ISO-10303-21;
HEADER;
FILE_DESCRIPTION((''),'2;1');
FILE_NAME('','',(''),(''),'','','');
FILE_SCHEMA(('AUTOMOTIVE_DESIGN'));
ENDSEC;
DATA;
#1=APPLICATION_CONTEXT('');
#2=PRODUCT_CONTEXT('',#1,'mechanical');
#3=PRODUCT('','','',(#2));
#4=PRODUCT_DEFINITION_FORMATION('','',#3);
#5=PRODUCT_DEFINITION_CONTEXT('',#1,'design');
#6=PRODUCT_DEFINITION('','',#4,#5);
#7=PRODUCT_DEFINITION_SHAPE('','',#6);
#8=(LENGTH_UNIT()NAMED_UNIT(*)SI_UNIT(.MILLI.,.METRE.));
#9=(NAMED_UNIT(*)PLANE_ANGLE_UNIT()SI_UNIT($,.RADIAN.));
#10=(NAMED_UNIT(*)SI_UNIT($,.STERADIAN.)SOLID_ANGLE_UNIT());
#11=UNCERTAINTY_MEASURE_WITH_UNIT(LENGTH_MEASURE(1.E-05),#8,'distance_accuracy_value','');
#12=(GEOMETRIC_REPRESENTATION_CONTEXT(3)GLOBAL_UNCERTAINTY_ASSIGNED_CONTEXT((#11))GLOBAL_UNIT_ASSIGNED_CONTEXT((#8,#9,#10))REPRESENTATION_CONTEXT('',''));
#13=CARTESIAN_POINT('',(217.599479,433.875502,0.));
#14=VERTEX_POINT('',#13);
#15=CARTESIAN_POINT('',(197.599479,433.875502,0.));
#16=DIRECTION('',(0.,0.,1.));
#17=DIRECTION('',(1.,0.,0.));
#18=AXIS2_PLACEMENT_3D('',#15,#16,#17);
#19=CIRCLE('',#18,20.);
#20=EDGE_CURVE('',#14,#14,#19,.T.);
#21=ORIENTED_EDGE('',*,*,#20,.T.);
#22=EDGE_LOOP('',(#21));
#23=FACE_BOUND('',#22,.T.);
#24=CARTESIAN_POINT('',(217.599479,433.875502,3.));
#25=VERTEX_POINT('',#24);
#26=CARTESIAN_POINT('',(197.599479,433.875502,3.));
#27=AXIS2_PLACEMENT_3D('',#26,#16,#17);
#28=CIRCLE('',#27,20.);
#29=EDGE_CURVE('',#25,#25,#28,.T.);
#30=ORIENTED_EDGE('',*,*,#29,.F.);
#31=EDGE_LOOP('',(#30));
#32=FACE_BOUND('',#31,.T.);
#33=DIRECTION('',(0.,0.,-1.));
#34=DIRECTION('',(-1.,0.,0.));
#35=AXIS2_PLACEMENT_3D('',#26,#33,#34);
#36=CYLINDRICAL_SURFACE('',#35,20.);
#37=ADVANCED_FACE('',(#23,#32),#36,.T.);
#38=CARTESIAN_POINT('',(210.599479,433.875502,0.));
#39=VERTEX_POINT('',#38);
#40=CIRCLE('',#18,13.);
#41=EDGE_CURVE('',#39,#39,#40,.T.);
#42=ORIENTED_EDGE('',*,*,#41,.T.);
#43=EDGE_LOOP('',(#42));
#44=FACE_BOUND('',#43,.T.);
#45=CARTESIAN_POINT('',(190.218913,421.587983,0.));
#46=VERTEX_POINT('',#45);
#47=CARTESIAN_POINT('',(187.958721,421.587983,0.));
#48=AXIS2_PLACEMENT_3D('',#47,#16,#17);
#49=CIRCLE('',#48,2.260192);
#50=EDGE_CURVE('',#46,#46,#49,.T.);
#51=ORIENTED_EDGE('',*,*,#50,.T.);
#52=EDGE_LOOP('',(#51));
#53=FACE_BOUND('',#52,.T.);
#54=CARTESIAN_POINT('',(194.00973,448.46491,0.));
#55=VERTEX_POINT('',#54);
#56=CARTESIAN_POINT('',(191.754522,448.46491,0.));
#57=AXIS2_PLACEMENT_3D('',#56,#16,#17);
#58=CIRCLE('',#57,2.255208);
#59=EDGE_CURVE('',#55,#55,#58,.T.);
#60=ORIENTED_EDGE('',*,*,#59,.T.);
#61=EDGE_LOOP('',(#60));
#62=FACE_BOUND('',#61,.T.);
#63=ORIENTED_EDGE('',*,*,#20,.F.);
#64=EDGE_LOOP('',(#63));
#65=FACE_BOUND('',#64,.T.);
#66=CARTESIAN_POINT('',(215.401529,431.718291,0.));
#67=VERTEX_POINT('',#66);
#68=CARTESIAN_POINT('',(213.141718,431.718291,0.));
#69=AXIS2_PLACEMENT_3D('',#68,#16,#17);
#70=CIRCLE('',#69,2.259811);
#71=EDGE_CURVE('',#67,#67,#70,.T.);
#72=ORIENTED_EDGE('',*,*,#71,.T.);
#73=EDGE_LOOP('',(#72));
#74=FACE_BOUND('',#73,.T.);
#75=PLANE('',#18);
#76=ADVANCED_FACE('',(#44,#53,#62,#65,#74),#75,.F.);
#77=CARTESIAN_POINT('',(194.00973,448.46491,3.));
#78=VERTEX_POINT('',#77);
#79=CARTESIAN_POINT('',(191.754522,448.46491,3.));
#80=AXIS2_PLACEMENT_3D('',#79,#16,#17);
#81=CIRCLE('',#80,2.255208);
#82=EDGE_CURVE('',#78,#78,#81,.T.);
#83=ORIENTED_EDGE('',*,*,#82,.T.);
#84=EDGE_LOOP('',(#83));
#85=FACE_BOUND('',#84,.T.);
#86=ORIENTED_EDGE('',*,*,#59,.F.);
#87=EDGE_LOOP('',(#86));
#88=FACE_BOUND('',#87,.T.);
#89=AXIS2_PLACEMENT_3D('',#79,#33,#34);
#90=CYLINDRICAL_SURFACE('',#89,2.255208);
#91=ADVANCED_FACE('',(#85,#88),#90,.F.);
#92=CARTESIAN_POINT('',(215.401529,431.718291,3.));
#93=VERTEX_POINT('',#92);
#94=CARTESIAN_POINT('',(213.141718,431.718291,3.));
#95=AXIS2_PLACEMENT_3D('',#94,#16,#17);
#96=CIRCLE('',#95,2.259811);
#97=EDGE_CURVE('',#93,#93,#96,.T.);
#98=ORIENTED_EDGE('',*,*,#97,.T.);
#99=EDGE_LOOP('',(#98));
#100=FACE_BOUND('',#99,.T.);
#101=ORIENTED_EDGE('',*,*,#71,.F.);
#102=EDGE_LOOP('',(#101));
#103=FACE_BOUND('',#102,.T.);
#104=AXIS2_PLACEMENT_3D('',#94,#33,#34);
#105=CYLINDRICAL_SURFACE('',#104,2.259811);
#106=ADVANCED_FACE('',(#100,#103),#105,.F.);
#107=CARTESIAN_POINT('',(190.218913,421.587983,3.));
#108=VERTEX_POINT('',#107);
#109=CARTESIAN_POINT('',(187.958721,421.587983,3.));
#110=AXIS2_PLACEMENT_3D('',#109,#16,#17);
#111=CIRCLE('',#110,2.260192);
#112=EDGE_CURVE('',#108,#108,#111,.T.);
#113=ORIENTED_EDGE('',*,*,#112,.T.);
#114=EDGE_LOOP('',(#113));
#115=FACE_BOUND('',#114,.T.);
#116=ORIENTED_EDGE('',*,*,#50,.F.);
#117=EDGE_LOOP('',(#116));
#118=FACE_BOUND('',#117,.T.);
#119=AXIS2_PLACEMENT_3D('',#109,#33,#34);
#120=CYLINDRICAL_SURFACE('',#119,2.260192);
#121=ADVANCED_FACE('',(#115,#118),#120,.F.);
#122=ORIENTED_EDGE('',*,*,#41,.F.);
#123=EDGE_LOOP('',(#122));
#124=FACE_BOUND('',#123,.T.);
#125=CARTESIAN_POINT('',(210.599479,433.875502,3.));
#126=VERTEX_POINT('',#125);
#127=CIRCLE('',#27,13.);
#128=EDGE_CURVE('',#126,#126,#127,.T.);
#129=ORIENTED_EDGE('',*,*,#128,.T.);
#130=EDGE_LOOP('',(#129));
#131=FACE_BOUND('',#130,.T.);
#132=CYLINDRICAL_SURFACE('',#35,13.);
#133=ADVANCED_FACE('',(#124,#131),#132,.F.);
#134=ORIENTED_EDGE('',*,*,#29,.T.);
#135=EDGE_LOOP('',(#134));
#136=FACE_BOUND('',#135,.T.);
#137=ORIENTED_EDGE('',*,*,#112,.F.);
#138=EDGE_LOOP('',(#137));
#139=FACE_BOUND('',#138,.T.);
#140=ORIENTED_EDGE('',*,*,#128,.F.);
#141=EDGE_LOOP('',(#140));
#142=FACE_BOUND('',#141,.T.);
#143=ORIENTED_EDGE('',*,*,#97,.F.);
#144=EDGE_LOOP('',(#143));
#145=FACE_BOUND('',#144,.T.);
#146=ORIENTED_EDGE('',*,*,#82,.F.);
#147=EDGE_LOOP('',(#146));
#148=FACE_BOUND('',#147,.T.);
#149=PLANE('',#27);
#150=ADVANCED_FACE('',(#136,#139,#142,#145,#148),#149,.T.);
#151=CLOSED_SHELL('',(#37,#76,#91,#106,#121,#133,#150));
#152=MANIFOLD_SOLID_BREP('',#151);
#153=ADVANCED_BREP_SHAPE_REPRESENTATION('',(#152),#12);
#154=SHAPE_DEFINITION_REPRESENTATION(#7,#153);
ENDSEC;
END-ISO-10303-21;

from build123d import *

# Parameters (mm, degrees)
SKETCH1_R           = 20
SKETCH1_R_2         = 13
SKETCH1_R_3         = 2.255208331
SKETCH1_R_4         = 2.259811145
SKETCH1_R_5         = 2.260191801
BOSS_EXTRUDE1_DEPTH = 3


with BuildPart() as part:
    # Sketch1 → Boss-Extrude1 (new body)
    with BuildSketch(Plane.XY):
        with Locations((197.599478725, 433.875501537)):
            Circle(SKETCH1_R)
        with Locations((197.599478725, 433.875501537)):
            Circle(SKETCH1_R_2, mode=Mode.SUBTRACT)
        with Locations((191.754521776, 448.464909961)):
            Circle(SKETCH1_R_3, mode=Mode.SUBTRACT)
        with Locations((213.14171821, 431.718291046)):
            Circle(SKETCH1_R_4, mode=Mode.SUBTRACT)
        with Locations((187.958721116, 421.587983347)):
            Circle(SKETCH1_R_5, mode=Mode.SUBTRACT)
    extrude(amount=BOSS_EXTRUDE1_DEPTH)


solid = part.part
